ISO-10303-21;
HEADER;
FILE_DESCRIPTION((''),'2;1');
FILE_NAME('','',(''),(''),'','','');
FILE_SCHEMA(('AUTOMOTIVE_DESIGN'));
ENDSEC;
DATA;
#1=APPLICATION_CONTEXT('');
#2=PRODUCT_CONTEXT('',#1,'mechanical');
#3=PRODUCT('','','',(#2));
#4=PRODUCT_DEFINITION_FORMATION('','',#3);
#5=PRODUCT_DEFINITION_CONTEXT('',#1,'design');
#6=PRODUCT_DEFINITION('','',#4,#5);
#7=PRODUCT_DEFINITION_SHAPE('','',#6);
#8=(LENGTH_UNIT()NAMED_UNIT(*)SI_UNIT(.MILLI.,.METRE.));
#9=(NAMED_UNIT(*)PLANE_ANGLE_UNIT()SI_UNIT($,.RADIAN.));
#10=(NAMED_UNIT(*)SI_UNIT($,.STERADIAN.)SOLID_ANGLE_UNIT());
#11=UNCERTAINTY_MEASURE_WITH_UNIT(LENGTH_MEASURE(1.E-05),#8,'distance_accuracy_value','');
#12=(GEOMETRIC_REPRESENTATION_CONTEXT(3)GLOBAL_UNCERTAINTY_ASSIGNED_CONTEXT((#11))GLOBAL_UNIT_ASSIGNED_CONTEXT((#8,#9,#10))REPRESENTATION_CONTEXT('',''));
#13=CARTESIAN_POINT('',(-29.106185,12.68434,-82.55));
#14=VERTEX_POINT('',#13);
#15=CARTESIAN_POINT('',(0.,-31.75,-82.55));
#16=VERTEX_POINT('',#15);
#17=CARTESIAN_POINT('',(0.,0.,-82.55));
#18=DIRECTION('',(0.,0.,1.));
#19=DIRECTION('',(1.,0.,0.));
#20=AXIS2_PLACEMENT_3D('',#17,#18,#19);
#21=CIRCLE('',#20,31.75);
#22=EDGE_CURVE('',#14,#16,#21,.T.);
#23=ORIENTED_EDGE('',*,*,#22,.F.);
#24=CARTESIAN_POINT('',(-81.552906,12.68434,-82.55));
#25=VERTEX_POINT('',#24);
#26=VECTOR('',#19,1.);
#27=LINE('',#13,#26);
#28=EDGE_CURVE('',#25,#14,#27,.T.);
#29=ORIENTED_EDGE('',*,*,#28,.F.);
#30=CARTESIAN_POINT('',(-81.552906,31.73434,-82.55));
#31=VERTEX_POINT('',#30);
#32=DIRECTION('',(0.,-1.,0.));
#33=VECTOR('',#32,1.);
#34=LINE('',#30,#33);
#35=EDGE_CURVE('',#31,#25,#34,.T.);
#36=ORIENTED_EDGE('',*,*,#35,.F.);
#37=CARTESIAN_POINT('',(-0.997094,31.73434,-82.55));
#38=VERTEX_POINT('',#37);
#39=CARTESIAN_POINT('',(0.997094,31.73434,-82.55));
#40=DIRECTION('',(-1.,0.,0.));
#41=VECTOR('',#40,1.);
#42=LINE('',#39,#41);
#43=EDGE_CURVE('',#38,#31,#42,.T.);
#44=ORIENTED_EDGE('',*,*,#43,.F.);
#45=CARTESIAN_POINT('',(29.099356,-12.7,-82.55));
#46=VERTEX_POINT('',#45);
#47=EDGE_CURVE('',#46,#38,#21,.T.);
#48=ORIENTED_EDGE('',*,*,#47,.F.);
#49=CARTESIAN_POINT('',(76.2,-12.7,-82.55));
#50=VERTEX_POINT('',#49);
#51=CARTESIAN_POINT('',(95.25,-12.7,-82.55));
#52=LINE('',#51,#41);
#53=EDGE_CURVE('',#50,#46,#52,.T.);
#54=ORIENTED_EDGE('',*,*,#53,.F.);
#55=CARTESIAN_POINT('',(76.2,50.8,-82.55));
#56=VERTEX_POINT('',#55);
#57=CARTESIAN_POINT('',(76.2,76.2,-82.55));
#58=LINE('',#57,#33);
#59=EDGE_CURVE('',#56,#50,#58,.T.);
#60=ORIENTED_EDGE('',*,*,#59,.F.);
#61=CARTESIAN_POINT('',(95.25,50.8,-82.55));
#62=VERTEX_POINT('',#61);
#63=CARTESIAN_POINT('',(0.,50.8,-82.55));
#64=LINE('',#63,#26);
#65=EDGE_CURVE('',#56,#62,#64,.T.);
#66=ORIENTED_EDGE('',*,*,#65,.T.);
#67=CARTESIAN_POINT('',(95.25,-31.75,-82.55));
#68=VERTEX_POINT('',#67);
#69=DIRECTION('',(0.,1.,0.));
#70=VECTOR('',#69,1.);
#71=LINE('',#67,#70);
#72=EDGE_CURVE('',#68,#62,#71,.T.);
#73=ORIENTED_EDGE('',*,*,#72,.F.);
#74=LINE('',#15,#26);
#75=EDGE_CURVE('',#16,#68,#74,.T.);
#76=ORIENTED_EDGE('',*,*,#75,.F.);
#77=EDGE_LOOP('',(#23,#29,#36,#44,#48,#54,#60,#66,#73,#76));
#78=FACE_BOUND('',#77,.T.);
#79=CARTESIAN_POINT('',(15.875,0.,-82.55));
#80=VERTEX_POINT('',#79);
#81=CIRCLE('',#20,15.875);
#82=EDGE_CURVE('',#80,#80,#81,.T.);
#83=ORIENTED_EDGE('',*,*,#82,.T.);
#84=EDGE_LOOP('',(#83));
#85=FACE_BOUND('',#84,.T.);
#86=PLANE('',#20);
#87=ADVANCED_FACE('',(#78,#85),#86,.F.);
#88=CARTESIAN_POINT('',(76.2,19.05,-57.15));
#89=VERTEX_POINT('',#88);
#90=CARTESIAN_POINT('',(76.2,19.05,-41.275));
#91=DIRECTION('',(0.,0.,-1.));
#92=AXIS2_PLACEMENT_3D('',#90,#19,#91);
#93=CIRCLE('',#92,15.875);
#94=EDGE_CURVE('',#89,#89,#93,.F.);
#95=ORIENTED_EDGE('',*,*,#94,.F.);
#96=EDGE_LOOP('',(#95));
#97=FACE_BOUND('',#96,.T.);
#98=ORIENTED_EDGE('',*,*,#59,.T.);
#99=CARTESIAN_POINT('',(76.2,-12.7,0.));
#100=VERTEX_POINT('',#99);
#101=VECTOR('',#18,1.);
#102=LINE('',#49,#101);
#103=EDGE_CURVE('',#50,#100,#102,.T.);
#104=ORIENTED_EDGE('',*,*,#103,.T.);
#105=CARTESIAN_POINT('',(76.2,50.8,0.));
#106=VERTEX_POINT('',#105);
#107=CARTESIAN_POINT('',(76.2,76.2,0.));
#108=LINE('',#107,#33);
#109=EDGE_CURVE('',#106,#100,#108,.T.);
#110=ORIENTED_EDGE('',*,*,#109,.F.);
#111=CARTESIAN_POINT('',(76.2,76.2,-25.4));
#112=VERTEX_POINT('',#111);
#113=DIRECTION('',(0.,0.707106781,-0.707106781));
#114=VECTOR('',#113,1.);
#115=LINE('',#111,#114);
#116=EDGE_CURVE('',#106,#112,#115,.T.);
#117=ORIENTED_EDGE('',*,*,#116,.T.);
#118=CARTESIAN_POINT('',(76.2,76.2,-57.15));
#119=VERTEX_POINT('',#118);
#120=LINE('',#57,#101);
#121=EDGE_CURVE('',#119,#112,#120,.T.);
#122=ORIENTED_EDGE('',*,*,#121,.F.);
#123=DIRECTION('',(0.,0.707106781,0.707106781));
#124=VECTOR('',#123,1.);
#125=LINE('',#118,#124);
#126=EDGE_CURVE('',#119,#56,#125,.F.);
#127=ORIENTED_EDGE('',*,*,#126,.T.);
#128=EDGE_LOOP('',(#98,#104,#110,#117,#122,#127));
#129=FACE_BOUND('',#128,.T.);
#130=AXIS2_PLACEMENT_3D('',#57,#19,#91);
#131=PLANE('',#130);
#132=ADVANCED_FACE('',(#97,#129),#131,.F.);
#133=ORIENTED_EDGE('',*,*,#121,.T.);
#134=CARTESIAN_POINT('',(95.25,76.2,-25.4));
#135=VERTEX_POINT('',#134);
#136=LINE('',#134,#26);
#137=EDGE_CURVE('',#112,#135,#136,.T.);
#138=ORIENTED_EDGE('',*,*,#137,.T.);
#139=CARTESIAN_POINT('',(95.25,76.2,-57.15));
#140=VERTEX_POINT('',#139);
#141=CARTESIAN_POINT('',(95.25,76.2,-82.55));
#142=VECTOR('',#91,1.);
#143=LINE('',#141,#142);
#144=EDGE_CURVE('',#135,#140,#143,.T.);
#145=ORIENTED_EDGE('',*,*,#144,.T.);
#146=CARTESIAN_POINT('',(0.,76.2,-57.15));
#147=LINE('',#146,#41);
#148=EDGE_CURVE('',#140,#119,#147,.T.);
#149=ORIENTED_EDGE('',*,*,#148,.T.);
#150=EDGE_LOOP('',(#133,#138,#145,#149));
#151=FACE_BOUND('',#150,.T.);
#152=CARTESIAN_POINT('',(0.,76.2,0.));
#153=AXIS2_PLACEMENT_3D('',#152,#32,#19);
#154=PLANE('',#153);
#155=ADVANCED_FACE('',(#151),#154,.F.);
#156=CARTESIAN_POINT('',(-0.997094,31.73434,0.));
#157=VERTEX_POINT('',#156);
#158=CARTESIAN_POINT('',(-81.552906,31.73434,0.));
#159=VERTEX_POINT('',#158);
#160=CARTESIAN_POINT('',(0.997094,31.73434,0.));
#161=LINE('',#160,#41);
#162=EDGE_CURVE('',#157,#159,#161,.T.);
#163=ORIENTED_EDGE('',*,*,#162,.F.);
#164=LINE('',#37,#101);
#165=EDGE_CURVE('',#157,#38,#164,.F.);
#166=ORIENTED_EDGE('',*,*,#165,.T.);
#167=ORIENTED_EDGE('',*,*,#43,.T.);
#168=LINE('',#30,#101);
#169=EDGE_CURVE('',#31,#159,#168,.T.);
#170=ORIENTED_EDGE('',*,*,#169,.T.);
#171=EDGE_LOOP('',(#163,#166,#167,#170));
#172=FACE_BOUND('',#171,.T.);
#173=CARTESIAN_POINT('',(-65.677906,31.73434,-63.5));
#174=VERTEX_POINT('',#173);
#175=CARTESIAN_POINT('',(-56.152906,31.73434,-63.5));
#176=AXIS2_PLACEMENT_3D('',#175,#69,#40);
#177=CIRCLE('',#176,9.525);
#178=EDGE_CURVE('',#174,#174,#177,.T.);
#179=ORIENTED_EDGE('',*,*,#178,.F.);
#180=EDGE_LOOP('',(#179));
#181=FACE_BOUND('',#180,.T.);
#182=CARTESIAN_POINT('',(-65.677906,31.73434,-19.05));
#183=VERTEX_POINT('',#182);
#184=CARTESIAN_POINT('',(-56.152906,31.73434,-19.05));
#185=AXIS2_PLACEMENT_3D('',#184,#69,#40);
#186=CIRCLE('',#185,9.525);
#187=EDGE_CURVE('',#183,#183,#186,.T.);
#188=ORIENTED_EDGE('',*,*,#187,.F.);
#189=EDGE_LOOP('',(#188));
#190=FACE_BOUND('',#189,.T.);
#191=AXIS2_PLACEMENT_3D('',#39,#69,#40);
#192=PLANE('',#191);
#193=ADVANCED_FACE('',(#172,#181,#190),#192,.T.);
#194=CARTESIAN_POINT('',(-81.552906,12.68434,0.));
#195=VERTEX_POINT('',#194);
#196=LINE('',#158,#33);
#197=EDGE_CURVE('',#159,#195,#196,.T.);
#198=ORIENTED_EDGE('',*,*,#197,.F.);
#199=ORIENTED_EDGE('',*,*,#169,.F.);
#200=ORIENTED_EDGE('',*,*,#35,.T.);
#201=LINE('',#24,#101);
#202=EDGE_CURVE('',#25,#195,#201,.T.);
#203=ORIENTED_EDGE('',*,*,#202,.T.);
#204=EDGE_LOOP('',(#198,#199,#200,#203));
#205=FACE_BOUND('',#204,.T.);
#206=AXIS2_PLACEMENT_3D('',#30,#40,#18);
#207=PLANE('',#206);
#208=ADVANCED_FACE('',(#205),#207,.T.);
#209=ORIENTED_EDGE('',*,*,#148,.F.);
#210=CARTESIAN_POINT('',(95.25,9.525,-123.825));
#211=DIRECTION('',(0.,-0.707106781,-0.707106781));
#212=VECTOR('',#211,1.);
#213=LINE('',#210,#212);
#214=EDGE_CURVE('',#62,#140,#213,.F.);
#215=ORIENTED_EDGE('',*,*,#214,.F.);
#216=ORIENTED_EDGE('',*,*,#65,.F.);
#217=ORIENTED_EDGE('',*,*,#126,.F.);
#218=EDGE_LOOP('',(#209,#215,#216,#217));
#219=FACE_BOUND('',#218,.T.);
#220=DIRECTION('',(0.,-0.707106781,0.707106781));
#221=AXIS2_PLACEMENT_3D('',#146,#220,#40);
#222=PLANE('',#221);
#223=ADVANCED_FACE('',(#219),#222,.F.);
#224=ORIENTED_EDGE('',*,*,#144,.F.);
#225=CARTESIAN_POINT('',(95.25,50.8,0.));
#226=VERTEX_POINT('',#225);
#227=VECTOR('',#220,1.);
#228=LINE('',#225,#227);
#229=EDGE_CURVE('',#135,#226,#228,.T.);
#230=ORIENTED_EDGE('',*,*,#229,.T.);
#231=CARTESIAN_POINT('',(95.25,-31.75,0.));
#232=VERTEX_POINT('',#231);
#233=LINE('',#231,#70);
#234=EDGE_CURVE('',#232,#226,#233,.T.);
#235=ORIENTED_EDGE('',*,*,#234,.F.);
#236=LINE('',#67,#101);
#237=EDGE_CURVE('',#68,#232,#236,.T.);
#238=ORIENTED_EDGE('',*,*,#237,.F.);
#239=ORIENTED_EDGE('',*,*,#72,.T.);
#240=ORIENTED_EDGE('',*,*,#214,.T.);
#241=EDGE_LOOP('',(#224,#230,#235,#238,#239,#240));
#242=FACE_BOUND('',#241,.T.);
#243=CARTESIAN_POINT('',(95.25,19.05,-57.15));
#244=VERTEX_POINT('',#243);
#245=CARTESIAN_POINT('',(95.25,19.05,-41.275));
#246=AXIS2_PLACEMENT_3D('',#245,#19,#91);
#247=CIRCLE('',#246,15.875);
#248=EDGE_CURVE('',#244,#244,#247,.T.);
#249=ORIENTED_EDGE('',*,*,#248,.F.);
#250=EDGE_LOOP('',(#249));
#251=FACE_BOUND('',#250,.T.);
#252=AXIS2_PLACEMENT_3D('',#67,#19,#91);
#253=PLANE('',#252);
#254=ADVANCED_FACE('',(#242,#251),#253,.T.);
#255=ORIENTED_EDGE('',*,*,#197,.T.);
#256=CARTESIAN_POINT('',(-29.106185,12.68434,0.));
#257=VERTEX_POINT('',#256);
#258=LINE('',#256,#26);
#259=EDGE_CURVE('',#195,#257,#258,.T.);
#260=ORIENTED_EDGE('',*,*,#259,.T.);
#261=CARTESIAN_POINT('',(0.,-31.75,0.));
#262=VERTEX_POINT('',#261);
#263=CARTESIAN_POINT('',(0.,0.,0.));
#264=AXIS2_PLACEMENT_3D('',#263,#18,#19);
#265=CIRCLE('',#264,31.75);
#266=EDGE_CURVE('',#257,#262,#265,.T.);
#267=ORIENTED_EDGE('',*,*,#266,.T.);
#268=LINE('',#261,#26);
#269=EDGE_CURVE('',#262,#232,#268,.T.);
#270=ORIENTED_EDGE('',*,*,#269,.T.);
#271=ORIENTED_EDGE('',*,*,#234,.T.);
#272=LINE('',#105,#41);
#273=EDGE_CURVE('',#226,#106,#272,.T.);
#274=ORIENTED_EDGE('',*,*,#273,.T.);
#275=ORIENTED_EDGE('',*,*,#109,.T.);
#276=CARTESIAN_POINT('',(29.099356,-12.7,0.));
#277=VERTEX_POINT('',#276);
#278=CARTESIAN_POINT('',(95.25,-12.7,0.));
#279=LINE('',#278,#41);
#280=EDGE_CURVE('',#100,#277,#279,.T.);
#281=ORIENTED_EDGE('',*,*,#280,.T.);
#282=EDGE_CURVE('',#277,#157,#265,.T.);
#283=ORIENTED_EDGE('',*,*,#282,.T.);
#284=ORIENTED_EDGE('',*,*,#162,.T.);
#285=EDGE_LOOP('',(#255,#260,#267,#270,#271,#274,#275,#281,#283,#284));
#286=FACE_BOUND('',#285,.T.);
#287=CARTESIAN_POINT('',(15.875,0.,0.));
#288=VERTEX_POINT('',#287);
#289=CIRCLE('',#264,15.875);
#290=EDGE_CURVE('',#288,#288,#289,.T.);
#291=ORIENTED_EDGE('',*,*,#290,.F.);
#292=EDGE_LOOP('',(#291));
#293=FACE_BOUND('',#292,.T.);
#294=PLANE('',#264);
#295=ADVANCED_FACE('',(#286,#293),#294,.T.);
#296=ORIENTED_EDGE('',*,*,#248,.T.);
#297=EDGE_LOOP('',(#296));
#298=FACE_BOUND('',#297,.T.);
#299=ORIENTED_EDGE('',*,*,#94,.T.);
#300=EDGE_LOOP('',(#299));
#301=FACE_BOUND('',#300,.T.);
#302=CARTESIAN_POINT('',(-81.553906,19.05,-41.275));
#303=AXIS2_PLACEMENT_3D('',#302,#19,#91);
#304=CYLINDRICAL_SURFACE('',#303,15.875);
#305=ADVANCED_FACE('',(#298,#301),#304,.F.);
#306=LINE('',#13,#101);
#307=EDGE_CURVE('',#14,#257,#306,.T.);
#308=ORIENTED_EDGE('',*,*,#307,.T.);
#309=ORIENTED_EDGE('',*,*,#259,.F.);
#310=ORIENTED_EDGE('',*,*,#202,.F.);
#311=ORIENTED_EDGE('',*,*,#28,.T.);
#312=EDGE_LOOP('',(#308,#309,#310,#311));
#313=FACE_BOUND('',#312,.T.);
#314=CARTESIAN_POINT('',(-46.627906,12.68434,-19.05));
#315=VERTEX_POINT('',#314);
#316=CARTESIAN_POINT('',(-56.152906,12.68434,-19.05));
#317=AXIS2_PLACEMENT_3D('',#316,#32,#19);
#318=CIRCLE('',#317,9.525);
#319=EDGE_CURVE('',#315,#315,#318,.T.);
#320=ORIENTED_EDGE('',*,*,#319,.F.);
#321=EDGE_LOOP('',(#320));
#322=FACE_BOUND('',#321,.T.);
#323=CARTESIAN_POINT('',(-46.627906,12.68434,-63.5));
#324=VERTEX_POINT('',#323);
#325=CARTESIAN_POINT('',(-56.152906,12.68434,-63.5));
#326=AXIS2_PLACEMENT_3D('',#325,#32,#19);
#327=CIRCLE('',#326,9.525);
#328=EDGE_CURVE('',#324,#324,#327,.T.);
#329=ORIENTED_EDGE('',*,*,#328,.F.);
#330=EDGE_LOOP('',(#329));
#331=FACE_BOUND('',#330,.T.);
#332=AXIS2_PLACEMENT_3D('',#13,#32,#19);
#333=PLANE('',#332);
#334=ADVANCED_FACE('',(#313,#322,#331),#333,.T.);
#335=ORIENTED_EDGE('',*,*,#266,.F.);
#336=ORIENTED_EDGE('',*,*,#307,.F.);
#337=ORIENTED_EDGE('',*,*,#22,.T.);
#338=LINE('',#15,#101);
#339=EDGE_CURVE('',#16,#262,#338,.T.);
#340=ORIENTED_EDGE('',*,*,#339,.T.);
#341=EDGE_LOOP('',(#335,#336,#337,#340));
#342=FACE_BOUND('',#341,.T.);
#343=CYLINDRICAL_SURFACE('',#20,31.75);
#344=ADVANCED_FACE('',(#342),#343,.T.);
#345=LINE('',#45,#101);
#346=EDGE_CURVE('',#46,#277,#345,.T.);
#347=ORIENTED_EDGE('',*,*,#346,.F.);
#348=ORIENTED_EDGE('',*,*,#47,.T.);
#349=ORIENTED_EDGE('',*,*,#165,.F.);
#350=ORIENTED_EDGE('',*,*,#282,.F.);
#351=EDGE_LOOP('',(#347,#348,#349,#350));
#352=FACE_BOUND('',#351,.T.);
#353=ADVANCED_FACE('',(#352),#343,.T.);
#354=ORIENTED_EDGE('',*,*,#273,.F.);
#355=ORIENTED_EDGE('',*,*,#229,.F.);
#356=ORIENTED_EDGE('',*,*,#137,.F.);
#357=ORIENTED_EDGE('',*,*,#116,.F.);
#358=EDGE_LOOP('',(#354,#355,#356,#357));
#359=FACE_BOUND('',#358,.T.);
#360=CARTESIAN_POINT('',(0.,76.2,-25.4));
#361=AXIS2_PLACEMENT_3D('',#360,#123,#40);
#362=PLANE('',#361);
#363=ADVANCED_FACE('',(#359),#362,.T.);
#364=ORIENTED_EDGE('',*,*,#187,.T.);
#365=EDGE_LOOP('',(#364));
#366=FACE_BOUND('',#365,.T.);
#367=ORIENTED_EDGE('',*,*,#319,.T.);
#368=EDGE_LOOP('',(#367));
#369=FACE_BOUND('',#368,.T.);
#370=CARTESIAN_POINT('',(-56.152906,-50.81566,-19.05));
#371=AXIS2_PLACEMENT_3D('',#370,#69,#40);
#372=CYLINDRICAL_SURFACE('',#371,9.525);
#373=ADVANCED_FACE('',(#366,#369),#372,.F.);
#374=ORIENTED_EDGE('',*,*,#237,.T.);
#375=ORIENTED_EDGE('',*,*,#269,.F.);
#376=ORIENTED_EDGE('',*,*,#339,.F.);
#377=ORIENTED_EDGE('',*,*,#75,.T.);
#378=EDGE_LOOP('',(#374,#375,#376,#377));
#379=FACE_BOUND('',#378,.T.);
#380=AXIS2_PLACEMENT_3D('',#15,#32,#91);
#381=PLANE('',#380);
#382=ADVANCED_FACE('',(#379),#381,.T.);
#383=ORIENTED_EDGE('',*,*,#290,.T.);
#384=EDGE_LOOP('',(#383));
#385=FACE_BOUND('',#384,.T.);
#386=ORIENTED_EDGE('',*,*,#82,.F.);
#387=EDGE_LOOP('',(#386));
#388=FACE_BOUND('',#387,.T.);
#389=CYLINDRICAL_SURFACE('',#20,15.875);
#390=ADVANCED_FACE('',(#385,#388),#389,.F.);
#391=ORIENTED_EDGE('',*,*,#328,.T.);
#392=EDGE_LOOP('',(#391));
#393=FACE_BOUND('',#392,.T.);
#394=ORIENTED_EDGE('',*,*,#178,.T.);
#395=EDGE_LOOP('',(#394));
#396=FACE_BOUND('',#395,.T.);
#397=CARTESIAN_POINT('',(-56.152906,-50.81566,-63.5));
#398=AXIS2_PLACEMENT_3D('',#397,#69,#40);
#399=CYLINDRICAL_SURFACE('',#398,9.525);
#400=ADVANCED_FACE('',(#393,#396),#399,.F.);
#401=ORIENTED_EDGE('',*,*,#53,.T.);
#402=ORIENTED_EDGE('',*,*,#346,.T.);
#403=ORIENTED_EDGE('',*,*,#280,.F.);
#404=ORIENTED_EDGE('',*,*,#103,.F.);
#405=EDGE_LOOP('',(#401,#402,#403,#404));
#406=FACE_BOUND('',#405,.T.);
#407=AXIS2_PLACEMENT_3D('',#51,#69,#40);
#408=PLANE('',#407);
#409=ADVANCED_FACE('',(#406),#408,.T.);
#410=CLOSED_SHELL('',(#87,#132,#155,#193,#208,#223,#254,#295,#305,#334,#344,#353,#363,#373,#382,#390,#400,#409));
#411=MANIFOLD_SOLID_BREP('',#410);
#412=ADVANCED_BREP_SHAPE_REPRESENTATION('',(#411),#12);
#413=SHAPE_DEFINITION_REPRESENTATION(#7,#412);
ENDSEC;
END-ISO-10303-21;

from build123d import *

# Parameters (mm, degrees)
SKETCH1_R           = 31.75
SKETCH1_R_2         = 15.875
BOSS_EXTRUDE1_DEPTH = 82.55
BOSS_EXTRUDE2_DEPTH = 82.55
SKETCH4_R           = 9.525
CUT_EXTRUDE1_DEPTH  = 82.55
SKETCH5_W           = 19.05
SKETCH5_H           = 82.55
BOSS_EXTRUDE3_DEPTH = 88.9
CHAMFER1_SIZE       = 25.4
CUT_EXTRUDE2_REACH  = 211.476
SKETCH6_R           = 15.875


with BuildPart() as part:
    # Sketch1 → Boss-Extrude1 (new body)
    with BuildSketch(Plane.XY):
        Circle(SKETCH1_R)
        Circle(SKETCH1_R_2, mode=Mode.SUBTRACT)
    extrude(amount=-BOSS_EXTRUDE1_DEPTH)

    # Sketch3 → Boss-Extrude2 (add)
    with BuildSketch(Plane.XY):
        Polygon((0.997093544, 31.734339515), (-81.552906456, 31.734339515), (-81.552906456, 12.684339515), (-29.106185443, 12.684339515), align=None)
        Polygon((0, -31.75), (95.25, -31.75), (95.25, -12.7), (29.099355663, -12.7), align=None)
    extrude(amount=-BOSS_EXTRUDE2_DEPTH)

    # Sketch4 → Cut-Extrude1 (cut)
    with BuildSketch(Plane(origin=(0, 31.734339515, 0), x_dir=(1, 0, 0), z_dir=(0, 1, 0))):
        with Locations(Location((-56.152906456, 63.5, 0), (0, 0, 180))):
            Circle(SKETCH4_R)
        with Locations(Location((-56.152906456, 19.05, 0), (0, 0, 180))):
            Circle(SKETCH4_R)
    extrude(amount=-CUT_EXTRUDE1_DEPTH, mode=Mode.SUBTRACT)

    # Sketch5 → Boss-Extrude3 (add)
    with BuildSketch(Plane(origin=(0, -12.7, 0), x_dir=(1, 0, 0), z_dir=(0, 1, 0))):
        with Locations((85.725, 41.275)):
            Rectangle(SKETCH5_W, SKETCH5_H)
    extrude(amount=BOSS_EXTRUDE3_DEPTH)

    # Chamfer1
    chamfer1_edges = [part.edges().sort_by_distance(p)[0] for p in [
        (85.725, 76.2, -82.55),
        (85.725, 76.2, 0),
    ]]
    chamfer(chamfer1_edges, length=CHAMFER1_SIZE)

    # Sketch6 → Cut-Extrude2 (cut, up to next)
    with BuildSketch(Plane(origin=(95.25, 0, 0), x_dir=(0, 0, -1), z_dir=(1, 0, 0)), mode=Mode.PRIVATE) as cut_extrude2_sk1:
        with Locations((41.275, 19.05)):
            Circle(SKETCH6_R)
    cut_extrude2_tool1 = extrude(cut_extrude2_sk1.sketch, amount=-CUT_EXTRUDE2_REACH, mode=Mode.PRIVATE) & part.part
    add(cut_extrude2_tool1.solids().sort_by_distance((95.25, 19.05, -41.275))[0], mode=Mode.SUBTRACT)


solid = part.part
